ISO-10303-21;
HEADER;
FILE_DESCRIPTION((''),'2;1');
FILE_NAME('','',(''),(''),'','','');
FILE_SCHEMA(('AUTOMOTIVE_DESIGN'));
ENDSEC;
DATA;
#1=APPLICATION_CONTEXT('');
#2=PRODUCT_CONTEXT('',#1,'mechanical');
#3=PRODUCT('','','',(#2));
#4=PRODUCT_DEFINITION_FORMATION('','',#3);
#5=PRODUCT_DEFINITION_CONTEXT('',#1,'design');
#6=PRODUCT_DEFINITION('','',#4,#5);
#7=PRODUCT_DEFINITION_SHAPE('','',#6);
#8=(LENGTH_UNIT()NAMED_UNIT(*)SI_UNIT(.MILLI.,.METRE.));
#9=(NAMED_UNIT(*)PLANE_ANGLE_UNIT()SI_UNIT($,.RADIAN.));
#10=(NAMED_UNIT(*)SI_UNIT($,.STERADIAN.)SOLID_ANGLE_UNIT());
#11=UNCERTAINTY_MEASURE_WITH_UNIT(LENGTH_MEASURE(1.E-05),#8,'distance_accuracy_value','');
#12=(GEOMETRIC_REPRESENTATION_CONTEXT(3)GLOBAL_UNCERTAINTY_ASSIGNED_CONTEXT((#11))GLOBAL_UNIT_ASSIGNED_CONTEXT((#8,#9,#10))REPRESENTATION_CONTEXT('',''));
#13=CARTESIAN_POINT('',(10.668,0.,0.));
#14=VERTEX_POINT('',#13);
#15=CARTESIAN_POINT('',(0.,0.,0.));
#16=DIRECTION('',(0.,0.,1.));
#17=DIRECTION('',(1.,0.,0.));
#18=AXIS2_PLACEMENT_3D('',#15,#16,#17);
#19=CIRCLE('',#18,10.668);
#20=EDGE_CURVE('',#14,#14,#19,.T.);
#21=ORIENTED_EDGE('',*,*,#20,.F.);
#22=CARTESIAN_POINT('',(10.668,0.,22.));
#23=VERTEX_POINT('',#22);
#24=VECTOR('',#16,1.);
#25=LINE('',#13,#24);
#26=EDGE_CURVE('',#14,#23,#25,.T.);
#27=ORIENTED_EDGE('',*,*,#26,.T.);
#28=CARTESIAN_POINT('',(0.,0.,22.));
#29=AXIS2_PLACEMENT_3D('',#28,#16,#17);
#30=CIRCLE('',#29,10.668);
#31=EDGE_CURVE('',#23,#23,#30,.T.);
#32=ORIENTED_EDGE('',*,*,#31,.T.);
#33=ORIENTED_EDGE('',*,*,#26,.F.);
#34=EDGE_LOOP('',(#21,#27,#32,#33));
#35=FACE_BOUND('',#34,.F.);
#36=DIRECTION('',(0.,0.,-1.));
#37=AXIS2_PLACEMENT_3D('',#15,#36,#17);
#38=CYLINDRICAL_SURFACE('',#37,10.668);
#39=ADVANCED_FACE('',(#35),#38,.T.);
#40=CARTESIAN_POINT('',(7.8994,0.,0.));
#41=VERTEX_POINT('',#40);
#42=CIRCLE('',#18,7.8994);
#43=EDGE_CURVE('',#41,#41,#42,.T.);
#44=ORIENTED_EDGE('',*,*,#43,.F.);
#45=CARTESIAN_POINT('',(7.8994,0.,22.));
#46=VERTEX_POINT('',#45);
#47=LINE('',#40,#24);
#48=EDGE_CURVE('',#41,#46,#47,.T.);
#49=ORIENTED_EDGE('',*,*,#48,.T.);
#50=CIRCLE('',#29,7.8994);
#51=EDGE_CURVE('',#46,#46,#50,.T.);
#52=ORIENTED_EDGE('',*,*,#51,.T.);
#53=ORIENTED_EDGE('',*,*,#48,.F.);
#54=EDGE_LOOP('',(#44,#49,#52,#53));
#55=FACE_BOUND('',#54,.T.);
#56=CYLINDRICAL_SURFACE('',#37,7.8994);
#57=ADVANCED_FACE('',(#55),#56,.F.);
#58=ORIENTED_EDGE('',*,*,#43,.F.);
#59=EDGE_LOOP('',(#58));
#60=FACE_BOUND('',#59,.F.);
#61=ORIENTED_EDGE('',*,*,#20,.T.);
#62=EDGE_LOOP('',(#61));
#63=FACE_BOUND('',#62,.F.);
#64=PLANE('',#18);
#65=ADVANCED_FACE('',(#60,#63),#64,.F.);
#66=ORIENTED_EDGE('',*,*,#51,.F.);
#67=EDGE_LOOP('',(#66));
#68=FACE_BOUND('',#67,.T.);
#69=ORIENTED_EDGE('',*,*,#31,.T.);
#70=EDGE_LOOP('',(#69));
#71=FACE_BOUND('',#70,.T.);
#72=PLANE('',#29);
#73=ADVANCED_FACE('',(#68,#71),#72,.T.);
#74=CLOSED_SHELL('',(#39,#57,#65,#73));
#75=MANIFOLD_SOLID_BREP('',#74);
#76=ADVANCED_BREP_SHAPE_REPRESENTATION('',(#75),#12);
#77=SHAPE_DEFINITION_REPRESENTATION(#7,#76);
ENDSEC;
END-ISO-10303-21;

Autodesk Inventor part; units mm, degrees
ref_plane "YZ Plane" through (0, 0, 0) normal (1, 0, 0) x (0, 1, 0)
ref_plane "Start Plane" through (0, 0, 0) normal (0, 0, 1) x (1, 0, 0)
ref_plane "End Plane" through (0, 0, 22) normal (0, 0, 1) x (1, 0, 0)
sketch "Sketch" plane through (0, 0, 0) normal (0, 0, 1) x (1, 0, 0)
  circle A0 centre (0, 0) radius 7.8994
  circle A1 centre (0, 0) radius 10.668
  dimension "d0" = 21.336
  dimension "d1" = 2.7686
extrude "Body" add sketch "Sketch" along normal up to surface (22 mm away) from surface at 0
sketch "Sketch3" plane through (0, 0, 0) normal (0, 0, 1) x (1, 0, 0)
  line L0 (0, 0) -> (10, 0)
ref_plane "Work Plane3" through (0, 0, 0) normal (0, -1, 0) x (1, 0, 0)
sketch "Sketch4" plane through (0, 0, 0) normal (0, -1, 0) x (1, 0, 0)
  line L0 (-2, 0) -> (12, 0) projected
  line L1 (-2, 22) -> (12, 22) projected
  dimension "d7" = 22
equation "\"d0\" = G_H"
equation "\"d1\" = G_T"
equation "\"d2\" = G_L"
equation "\"G_H\" = 21.336"
equation "\"G_T\" = 2.7686"
equation "\"G_L\" = d7"
equation "\"G_OFFSET_START\" = 0"
equation "\"G_OFFSET_END\" = 0"
equation "\"d5\" = G_OFFSET_END + B_L"
equation "\"B_L\" = 22"
properties part number "ANSI - 1/2 x 0.109 - 0.866" material "Steel, Mild"
